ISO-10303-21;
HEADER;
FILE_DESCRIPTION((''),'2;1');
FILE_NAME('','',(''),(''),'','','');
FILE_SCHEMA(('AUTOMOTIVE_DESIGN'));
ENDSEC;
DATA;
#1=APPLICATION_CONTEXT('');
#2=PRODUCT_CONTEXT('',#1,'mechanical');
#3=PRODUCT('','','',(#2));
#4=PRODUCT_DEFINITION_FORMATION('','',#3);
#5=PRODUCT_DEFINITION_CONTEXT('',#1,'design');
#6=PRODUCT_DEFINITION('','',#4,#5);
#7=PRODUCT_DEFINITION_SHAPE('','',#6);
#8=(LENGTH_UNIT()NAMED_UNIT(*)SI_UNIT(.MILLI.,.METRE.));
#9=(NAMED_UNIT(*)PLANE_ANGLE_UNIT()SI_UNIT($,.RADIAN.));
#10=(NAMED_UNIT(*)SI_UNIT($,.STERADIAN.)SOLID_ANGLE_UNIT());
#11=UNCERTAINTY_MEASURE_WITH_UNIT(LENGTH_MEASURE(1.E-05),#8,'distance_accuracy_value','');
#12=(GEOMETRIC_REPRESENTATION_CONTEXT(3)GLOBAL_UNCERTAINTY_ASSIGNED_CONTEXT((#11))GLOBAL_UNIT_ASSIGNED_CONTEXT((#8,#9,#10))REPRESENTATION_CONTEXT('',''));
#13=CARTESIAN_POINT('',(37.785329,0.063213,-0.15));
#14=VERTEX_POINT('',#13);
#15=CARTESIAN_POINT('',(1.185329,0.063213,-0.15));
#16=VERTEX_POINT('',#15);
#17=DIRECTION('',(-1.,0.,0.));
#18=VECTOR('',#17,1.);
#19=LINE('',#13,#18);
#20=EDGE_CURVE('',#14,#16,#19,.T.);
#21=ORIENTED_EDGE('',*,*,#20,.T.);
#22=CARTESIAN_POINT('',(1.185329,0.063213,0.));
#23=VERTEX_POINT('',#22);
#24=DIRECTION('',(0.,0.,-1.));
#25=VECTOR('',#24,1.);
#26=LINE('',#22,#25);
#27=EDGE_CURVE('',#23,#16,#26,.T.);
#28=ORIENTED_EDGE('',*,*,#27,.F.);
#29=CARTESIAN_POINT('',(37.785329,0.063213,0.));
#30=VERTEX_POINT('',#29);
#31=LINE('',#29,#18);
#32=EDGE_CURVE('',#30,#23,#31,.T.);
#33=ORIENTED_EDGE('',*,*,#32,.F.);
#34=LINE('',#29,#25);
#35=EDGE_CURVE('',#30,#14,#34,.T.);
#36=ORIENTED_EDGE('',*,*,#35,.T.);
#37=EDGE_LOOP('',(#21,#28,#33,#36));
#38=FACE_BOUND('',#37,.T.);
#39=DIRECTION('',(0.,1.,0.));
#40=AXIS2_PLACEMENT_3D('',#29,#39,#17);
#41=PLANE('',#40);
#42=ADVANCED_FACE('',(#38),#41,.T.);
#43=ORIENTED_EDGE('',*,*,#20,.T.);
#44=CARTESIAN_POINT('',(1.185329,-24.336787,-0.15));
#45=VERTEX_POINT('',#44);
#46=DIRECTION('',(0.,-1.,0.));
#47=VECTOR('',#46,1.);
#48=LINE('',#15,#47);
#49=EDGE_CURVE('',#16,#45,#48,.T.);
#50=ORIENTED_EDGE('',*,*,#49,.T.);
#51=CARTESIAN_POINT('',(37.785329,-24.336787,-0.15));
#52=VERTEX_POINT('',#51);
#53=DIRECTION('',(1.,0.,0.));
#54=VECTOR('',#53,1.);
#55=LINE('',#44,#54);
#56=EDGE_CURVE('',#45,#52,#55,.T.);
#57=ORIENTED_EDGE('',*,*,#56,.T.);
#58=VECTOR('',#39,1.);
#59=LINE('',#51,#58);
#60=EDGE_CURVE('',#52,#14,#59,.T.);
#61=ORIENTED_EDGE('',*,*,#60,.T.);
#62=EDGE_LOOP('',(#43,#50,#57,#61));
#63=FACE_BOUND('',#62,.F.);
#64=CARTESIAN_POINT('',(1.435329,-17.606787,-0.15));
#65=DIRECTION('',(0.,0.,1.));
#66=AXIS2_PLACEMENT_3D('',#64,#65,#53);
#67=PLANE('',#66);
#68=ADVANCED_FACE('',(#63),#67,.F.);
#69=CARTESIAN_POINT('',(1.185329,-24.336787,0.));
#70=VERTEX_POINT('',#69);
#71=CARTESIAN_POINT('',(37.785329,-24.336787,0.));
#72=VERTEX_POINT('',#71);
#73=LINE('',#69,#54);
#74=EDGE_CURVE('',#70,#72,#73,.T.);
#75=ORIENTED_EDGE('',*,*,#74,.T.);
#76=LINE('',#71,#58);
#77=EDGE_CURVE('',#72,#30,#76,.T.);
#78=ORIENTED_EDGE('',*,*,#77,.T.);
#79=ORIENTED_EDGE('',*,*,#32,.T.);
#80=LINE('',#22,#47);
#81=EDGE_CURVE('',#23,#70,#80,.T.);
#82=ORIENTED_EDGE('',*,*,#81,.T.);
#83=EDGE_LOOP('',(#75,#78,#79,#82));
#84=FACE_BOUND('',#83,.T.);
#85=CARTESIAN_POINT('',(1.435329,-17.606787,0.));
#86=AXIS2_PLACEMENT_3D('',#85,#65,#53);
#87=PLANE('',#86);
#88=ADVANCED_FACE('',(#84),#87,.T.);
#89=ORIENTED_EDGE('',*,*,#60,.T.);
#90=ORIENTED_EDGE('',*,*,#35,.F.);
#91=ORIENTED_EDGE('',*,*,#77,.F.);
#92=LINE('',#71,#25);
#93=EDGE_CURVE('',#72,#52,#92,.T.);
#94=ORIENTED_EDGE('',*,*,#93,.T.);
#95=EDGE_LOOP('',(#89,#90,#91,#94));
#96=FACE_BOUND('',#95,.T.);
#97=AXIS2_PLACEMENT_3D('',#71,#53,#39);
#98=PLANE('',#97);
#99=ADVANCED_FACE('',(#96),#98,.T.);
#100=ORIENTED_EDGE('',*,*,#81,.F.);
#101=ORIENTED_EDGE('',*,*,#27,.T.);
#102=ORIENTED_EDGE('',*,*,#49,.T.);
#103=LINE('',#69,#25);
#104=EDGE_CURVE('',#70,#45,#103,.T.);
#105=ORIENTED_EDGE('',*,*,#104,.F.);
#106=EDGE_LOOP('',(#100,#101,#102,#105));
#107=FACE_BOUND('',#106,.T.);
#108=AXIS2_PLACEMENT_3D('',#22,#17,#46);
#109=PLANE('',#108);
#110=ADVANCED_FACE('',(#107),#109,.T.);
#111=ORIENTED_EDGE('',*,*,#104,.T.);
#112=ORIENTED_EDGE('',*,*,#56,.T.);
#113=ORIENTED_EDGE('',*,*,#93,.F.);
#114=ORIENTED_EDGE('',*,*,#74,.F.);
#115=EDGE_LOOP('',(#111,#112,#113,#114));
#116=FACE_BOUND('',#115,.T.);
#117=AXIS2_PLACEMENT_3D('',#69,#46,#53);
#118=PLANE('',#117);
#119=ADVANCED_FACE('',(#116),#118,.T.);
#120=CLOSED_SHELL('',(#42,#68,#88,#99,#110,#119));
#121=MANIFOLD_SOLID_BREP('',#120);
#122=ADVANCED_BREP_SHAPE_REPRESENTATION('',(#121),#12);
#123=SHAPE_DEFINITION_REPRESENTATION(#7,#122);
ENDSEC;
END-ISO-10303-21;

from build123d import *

# Parameters (mm, degrees)
F0_W     = 0.5
F0_H     = 10.94
F0_W_2   = 10.94
F0_H_2   = 0.76
F0_H_3   = 0.5
F0_W_3   = 0.26
F1_DEPTH = 0.15


with BuildPart() as f1:
    # F0 (on Top) → F1 (new body)
    with BuildSketch(Plane.XY):
        with Locations((1.4353289247, -17.6067869407)):
            Rectangle(F0_W, F0_H)
        Polygon((13.3675259571, -0.6967869407), (12.8675259571, -0.6967869407), (12.8558134785, -1.1967869407), (13.3558134785, -1.1967869407), align=None)
        with Locations((31.5553289247, -0.3167869407)):
            Rectangle(F0_W_2, F0_H_2)
        with Locations((31.5553289247, -23.9567869407)):
            Rectangle(F0_W_2, F0_H_2)
        Polygon((12.5995444462, -12.1367869407), (1.9453289247, -12.1367869407), (1.9453289247, -23.0767869407), (12.3432754138, -23.0767869407), align=None)
        with Locations((25.3353289247, -17.6067869407)):
            Rectangle(F0_W, F0_H)
        Polygon((13.8558134785, -1.1967869407), (13.3558134785, -1.1967869407), (13.0995444462, -12.1367869407), (13.5995444462, -12.1367869407), align=None)
        with Locations((1.4353289247, -6.6667869407)):
            Rectangle(F0_W, F0_H)
        Polygon((13.5995444462, -12.1367869407), (13.0995444462, -12.1367869407), (12.8432754138, -23.0767869407), (13.3432754138, -23.0767869407), align=None)
        Polygon((12.8675259571, -0.6967869407), (1.9453289247, -0.6967869407), (1.9453289247, -1.1967869407), (12.8558134785, -1.1967869407), align=None)
        Polygon((12.8853289247, 0.0632130593), (1.9453289247, 0.0632130593), (1.9453289247, -0.6967869407), (12.8675259571, -0.6967869407), align=None)
        Polygon((12.8432754138, -23.0767869407), (12.3432754138, -23.0767869407), (12.3315629352, -23.5767869407), (12.8315629352, -23.5767869407), align=None)
        Polygon((25.0853289247, -23.5767869407), (13.3315629352, -23.5767869407), (13.3137599677, -24.3367869407), (25.0853289247, -24.3367869407), align=None)
        with Locations((37.5353289247, -17.6067869407)):
            Rectangle(F0_W, F0_H)
        Polygon((12.8315629352, -23.5767869407), (12.3315629352, -23.5767869407), (12.3137599677, -24.3367869407), (12.8137599677, -24.3367869407), align=None)
        Polygon((12.3315629352, -23.5767869407), (1.9453289247, -23.5767869407), (1.9453289247, -24.3367869407), (12.3137599677, -24.3367869407), align=None)
        Polygon((25.0853289247, 0.0632130593), (13.8853289247, 0.0632130593), (13.8675259571, -0.6967869407), (25.0853289247, -0.6967869407), align=None)
        Polygon((37.0253289247, -1.1967869407), (26.0853289247, -1.1967869407), (26.0853289247, -23.0767869407), (37.0253289247, -23.0767869407), (37.0253289247, -12.1367869407), align=None)
        Polygon((26.0853289247, -1.1967869407), (25.5853289247, -1.1967869407), (25.5853289247, -12.1367869407), (25.5853289247, -23.0767869407), (26.0853289247, -23.0767869407), align=None)
        Polygon((12.8558134785, -1.1967869407), (1.9453289247, -1.1967869407), (1.9453289247, -12.1367869407), (12.5995444462, -12.1367869407), align=None)
        with Locations((25.3353289247, -6.6667869407)):
            Rectangle(F0_W, F0_H)
        with Locations((25.8353289247, -23.3267869407)):
            Rectangle(F0_W, F0_H_3)
        with Locations((31.5553289247, -0.9467869407)):
            Rectangle(F0_W_2, F0_H_3)
        Polygon((13.0995444462, -12.1367869407), (12.5995444462, -12.1367869407), (12.3432754138, -23.0767869407), (12.8432754138, -23.0767869407), align=None)
        with Locations((37.5353289247, -6.6667869407)):
            Rectangle(F0_W, F0_H)
        Polygon((13.8675259571, -0.6967869407), (13.3675259571, -0.6967869407), (13.3558134785, -1.1967869407), (13.8558134785, -1.1967869407), align=None)
        Polygon((12.3432754138, -23.0767869407), (1.9453289247, -23.0767869407), (1.9453289247, -23.5767869407), (12.3315629352, -23.5767869407), align=None)
        Polygon((13.3432754138, -23.0767869407), (12.8432754138, -23.0767869407), (12.8315629352, -23.5767869407), (13.3315629352, -23.5767869407), align=None)
        Polygon((25.0853289247, -23.0767869407), (13.3432754138, -23.0767869407), (13.3315629352, -23.5767869407), (25.0853289247, -23.5767869407), align=None)
        Polygon((13.3558134785, -1.1967869407), (12.8558134785, -1.1967869407), (12.5995444462, -12.1367869407), (13.0995444462, -12.1367869407), align=None)
        with Locations((25.3353289247, -23.3267869407)):
            Rectangle(F0_W, F0_H_3)
        with Locations((31.5553289247, -23.3267869407)):
            Rectangle(F0_W_2, F0_H_3)
        Polygon((25.0853289247, -0.6967869407), (13.8675259571, -0.6967869407), (13.8558134785, -1.1967869407), (25.0853289247, -1.1967869407), align=None)
        Polygon((13.3315629352, -23.5767869407), (12.8315629352, -23.5767869407), (12.8137599677, -24.3367869407), (13.3137599677, -24.3367869407), align=None)
        Polygon((25.0853289247, -12.1367869407), (13.5995444462, -12.1367869407), (13.3432754138, -23.0767869407), (25.0853289247, -23.0767869407), align=None)
        Polygon((25.0853289247, -1.1967869407), (13.8558134785, -1.1967869407), (13.5995444462, -12.1367869407), (25.0853289247, -12.1367869407), align=None)
        with Locations((1.8153289247, -23.9567869407)):
            Rectangle(F0_W_3, F0_H_2)
        with Locations((37.5353289247, -0.9467869407)):
            Rectangle(F0_W, F0_H_3)
        Polygon((13.3853289247, 0.0632130593), (12.8853289247, 0.0632130593), (12.8675259571, -0.6967869407), (13.3675259571, -0.6967869407), align=None)
        with Locations((37.5353289247, -23.9567869407)):
            Rectangle(F0_W, F0_H_2)
        with Locations((1.4353289247, -23.3267869407)):
            Rectangle(F0_W, F0_H_3)
        with Locations((37.1553289247, -17.6067869407)):
            Rectangle(F0_W_3, F0_H)
        with Locations((1.4353289247, -23.9567869407)):
            Rectangle(F0_W, F0_H_2)
        with Locations((1.8153289247, -17.6067869407)):
            Rectangle(F0_W_3, F0_H)
        with Locations((37.5353289247, -0.3167869407)):
            Rectangle(F0_W, F0_H_2)
        with Locations((37.1553289247, -23.3267869407)):
            Rectangle(F0_W_3, F0_H_3)
        with Locations((25.3353289247, -0.9467869407)):
            Rectangle(F0_W, F0_H_3)
        with Locations((37.5353289247, -23.3267869407)):
            Rectangle(F0_W, F0_H_3)
        with Locations((37.1553289247, -0.9467869407)):
            Rectangle(F0_W_3, F0_H_3)
        with Locations((25.3353289247, -0.3167869407)):
            Rectangle(F0_W, F0_H_2)
        with Locations((1.8153289247, -6.6667869407)):
            Rectangle(F0_W_3, F0_H)
        Polygon((13.8853289247, 0.0632130593), (13.3853289247, 0.0632130593), (13.3675259571, -0.6967869407), (13.8675259571, -0.6967869407), align=None)
        with Locations((1.8153289247, -23.3267869407)):
            Rectangle(F0_W_3, F0_H_3)
        with Locations((1.4353289247, -0.3167869407)):
            Rectangle(F0_W, F0_H_2)
        with Locations((37.1553289247, -23.9567869407)):
            Rectangle(F0_W_3, F0_H_2)
        with Locations((1.4353289247, -0.9467869407)):
            Rectangle(F0_W, F0_H_3)
        with Locations((37.1553289247, -6.6667869407)):
            Rectangle(F0_W_3, F0_H)
        with Locations((1.8153289247, -0.3167869407)):
            Rectangle(F0_W_3, F0_H_2)
        with Locations((1.8153289247, -0.9467869407)):
            Rectangle(F0_W_3, F0_H_3)
        with Locations((25.8353289247, -23.9567869407)):
            Rectangle(F0_W, F0_H_2)
        with Locations((37.1553289247, -0.3167869407)):
            Rectangle(F0_W_3, F0_H_2)
        with Locations((25.3353289247, -23.9567869407)):
            Rectangle(F0_W, F0_H_2)
        with Locations((25.8353289247, -0.9467869407)):
            Rectangle(F0_W, F0_H_3)
        with Locations((25.8353289247, -0.3167869407)):
            Rectangle(F0_W, F0_H_2)
    extrude(amount=-F1_DEPTH)


solid = f1.part
